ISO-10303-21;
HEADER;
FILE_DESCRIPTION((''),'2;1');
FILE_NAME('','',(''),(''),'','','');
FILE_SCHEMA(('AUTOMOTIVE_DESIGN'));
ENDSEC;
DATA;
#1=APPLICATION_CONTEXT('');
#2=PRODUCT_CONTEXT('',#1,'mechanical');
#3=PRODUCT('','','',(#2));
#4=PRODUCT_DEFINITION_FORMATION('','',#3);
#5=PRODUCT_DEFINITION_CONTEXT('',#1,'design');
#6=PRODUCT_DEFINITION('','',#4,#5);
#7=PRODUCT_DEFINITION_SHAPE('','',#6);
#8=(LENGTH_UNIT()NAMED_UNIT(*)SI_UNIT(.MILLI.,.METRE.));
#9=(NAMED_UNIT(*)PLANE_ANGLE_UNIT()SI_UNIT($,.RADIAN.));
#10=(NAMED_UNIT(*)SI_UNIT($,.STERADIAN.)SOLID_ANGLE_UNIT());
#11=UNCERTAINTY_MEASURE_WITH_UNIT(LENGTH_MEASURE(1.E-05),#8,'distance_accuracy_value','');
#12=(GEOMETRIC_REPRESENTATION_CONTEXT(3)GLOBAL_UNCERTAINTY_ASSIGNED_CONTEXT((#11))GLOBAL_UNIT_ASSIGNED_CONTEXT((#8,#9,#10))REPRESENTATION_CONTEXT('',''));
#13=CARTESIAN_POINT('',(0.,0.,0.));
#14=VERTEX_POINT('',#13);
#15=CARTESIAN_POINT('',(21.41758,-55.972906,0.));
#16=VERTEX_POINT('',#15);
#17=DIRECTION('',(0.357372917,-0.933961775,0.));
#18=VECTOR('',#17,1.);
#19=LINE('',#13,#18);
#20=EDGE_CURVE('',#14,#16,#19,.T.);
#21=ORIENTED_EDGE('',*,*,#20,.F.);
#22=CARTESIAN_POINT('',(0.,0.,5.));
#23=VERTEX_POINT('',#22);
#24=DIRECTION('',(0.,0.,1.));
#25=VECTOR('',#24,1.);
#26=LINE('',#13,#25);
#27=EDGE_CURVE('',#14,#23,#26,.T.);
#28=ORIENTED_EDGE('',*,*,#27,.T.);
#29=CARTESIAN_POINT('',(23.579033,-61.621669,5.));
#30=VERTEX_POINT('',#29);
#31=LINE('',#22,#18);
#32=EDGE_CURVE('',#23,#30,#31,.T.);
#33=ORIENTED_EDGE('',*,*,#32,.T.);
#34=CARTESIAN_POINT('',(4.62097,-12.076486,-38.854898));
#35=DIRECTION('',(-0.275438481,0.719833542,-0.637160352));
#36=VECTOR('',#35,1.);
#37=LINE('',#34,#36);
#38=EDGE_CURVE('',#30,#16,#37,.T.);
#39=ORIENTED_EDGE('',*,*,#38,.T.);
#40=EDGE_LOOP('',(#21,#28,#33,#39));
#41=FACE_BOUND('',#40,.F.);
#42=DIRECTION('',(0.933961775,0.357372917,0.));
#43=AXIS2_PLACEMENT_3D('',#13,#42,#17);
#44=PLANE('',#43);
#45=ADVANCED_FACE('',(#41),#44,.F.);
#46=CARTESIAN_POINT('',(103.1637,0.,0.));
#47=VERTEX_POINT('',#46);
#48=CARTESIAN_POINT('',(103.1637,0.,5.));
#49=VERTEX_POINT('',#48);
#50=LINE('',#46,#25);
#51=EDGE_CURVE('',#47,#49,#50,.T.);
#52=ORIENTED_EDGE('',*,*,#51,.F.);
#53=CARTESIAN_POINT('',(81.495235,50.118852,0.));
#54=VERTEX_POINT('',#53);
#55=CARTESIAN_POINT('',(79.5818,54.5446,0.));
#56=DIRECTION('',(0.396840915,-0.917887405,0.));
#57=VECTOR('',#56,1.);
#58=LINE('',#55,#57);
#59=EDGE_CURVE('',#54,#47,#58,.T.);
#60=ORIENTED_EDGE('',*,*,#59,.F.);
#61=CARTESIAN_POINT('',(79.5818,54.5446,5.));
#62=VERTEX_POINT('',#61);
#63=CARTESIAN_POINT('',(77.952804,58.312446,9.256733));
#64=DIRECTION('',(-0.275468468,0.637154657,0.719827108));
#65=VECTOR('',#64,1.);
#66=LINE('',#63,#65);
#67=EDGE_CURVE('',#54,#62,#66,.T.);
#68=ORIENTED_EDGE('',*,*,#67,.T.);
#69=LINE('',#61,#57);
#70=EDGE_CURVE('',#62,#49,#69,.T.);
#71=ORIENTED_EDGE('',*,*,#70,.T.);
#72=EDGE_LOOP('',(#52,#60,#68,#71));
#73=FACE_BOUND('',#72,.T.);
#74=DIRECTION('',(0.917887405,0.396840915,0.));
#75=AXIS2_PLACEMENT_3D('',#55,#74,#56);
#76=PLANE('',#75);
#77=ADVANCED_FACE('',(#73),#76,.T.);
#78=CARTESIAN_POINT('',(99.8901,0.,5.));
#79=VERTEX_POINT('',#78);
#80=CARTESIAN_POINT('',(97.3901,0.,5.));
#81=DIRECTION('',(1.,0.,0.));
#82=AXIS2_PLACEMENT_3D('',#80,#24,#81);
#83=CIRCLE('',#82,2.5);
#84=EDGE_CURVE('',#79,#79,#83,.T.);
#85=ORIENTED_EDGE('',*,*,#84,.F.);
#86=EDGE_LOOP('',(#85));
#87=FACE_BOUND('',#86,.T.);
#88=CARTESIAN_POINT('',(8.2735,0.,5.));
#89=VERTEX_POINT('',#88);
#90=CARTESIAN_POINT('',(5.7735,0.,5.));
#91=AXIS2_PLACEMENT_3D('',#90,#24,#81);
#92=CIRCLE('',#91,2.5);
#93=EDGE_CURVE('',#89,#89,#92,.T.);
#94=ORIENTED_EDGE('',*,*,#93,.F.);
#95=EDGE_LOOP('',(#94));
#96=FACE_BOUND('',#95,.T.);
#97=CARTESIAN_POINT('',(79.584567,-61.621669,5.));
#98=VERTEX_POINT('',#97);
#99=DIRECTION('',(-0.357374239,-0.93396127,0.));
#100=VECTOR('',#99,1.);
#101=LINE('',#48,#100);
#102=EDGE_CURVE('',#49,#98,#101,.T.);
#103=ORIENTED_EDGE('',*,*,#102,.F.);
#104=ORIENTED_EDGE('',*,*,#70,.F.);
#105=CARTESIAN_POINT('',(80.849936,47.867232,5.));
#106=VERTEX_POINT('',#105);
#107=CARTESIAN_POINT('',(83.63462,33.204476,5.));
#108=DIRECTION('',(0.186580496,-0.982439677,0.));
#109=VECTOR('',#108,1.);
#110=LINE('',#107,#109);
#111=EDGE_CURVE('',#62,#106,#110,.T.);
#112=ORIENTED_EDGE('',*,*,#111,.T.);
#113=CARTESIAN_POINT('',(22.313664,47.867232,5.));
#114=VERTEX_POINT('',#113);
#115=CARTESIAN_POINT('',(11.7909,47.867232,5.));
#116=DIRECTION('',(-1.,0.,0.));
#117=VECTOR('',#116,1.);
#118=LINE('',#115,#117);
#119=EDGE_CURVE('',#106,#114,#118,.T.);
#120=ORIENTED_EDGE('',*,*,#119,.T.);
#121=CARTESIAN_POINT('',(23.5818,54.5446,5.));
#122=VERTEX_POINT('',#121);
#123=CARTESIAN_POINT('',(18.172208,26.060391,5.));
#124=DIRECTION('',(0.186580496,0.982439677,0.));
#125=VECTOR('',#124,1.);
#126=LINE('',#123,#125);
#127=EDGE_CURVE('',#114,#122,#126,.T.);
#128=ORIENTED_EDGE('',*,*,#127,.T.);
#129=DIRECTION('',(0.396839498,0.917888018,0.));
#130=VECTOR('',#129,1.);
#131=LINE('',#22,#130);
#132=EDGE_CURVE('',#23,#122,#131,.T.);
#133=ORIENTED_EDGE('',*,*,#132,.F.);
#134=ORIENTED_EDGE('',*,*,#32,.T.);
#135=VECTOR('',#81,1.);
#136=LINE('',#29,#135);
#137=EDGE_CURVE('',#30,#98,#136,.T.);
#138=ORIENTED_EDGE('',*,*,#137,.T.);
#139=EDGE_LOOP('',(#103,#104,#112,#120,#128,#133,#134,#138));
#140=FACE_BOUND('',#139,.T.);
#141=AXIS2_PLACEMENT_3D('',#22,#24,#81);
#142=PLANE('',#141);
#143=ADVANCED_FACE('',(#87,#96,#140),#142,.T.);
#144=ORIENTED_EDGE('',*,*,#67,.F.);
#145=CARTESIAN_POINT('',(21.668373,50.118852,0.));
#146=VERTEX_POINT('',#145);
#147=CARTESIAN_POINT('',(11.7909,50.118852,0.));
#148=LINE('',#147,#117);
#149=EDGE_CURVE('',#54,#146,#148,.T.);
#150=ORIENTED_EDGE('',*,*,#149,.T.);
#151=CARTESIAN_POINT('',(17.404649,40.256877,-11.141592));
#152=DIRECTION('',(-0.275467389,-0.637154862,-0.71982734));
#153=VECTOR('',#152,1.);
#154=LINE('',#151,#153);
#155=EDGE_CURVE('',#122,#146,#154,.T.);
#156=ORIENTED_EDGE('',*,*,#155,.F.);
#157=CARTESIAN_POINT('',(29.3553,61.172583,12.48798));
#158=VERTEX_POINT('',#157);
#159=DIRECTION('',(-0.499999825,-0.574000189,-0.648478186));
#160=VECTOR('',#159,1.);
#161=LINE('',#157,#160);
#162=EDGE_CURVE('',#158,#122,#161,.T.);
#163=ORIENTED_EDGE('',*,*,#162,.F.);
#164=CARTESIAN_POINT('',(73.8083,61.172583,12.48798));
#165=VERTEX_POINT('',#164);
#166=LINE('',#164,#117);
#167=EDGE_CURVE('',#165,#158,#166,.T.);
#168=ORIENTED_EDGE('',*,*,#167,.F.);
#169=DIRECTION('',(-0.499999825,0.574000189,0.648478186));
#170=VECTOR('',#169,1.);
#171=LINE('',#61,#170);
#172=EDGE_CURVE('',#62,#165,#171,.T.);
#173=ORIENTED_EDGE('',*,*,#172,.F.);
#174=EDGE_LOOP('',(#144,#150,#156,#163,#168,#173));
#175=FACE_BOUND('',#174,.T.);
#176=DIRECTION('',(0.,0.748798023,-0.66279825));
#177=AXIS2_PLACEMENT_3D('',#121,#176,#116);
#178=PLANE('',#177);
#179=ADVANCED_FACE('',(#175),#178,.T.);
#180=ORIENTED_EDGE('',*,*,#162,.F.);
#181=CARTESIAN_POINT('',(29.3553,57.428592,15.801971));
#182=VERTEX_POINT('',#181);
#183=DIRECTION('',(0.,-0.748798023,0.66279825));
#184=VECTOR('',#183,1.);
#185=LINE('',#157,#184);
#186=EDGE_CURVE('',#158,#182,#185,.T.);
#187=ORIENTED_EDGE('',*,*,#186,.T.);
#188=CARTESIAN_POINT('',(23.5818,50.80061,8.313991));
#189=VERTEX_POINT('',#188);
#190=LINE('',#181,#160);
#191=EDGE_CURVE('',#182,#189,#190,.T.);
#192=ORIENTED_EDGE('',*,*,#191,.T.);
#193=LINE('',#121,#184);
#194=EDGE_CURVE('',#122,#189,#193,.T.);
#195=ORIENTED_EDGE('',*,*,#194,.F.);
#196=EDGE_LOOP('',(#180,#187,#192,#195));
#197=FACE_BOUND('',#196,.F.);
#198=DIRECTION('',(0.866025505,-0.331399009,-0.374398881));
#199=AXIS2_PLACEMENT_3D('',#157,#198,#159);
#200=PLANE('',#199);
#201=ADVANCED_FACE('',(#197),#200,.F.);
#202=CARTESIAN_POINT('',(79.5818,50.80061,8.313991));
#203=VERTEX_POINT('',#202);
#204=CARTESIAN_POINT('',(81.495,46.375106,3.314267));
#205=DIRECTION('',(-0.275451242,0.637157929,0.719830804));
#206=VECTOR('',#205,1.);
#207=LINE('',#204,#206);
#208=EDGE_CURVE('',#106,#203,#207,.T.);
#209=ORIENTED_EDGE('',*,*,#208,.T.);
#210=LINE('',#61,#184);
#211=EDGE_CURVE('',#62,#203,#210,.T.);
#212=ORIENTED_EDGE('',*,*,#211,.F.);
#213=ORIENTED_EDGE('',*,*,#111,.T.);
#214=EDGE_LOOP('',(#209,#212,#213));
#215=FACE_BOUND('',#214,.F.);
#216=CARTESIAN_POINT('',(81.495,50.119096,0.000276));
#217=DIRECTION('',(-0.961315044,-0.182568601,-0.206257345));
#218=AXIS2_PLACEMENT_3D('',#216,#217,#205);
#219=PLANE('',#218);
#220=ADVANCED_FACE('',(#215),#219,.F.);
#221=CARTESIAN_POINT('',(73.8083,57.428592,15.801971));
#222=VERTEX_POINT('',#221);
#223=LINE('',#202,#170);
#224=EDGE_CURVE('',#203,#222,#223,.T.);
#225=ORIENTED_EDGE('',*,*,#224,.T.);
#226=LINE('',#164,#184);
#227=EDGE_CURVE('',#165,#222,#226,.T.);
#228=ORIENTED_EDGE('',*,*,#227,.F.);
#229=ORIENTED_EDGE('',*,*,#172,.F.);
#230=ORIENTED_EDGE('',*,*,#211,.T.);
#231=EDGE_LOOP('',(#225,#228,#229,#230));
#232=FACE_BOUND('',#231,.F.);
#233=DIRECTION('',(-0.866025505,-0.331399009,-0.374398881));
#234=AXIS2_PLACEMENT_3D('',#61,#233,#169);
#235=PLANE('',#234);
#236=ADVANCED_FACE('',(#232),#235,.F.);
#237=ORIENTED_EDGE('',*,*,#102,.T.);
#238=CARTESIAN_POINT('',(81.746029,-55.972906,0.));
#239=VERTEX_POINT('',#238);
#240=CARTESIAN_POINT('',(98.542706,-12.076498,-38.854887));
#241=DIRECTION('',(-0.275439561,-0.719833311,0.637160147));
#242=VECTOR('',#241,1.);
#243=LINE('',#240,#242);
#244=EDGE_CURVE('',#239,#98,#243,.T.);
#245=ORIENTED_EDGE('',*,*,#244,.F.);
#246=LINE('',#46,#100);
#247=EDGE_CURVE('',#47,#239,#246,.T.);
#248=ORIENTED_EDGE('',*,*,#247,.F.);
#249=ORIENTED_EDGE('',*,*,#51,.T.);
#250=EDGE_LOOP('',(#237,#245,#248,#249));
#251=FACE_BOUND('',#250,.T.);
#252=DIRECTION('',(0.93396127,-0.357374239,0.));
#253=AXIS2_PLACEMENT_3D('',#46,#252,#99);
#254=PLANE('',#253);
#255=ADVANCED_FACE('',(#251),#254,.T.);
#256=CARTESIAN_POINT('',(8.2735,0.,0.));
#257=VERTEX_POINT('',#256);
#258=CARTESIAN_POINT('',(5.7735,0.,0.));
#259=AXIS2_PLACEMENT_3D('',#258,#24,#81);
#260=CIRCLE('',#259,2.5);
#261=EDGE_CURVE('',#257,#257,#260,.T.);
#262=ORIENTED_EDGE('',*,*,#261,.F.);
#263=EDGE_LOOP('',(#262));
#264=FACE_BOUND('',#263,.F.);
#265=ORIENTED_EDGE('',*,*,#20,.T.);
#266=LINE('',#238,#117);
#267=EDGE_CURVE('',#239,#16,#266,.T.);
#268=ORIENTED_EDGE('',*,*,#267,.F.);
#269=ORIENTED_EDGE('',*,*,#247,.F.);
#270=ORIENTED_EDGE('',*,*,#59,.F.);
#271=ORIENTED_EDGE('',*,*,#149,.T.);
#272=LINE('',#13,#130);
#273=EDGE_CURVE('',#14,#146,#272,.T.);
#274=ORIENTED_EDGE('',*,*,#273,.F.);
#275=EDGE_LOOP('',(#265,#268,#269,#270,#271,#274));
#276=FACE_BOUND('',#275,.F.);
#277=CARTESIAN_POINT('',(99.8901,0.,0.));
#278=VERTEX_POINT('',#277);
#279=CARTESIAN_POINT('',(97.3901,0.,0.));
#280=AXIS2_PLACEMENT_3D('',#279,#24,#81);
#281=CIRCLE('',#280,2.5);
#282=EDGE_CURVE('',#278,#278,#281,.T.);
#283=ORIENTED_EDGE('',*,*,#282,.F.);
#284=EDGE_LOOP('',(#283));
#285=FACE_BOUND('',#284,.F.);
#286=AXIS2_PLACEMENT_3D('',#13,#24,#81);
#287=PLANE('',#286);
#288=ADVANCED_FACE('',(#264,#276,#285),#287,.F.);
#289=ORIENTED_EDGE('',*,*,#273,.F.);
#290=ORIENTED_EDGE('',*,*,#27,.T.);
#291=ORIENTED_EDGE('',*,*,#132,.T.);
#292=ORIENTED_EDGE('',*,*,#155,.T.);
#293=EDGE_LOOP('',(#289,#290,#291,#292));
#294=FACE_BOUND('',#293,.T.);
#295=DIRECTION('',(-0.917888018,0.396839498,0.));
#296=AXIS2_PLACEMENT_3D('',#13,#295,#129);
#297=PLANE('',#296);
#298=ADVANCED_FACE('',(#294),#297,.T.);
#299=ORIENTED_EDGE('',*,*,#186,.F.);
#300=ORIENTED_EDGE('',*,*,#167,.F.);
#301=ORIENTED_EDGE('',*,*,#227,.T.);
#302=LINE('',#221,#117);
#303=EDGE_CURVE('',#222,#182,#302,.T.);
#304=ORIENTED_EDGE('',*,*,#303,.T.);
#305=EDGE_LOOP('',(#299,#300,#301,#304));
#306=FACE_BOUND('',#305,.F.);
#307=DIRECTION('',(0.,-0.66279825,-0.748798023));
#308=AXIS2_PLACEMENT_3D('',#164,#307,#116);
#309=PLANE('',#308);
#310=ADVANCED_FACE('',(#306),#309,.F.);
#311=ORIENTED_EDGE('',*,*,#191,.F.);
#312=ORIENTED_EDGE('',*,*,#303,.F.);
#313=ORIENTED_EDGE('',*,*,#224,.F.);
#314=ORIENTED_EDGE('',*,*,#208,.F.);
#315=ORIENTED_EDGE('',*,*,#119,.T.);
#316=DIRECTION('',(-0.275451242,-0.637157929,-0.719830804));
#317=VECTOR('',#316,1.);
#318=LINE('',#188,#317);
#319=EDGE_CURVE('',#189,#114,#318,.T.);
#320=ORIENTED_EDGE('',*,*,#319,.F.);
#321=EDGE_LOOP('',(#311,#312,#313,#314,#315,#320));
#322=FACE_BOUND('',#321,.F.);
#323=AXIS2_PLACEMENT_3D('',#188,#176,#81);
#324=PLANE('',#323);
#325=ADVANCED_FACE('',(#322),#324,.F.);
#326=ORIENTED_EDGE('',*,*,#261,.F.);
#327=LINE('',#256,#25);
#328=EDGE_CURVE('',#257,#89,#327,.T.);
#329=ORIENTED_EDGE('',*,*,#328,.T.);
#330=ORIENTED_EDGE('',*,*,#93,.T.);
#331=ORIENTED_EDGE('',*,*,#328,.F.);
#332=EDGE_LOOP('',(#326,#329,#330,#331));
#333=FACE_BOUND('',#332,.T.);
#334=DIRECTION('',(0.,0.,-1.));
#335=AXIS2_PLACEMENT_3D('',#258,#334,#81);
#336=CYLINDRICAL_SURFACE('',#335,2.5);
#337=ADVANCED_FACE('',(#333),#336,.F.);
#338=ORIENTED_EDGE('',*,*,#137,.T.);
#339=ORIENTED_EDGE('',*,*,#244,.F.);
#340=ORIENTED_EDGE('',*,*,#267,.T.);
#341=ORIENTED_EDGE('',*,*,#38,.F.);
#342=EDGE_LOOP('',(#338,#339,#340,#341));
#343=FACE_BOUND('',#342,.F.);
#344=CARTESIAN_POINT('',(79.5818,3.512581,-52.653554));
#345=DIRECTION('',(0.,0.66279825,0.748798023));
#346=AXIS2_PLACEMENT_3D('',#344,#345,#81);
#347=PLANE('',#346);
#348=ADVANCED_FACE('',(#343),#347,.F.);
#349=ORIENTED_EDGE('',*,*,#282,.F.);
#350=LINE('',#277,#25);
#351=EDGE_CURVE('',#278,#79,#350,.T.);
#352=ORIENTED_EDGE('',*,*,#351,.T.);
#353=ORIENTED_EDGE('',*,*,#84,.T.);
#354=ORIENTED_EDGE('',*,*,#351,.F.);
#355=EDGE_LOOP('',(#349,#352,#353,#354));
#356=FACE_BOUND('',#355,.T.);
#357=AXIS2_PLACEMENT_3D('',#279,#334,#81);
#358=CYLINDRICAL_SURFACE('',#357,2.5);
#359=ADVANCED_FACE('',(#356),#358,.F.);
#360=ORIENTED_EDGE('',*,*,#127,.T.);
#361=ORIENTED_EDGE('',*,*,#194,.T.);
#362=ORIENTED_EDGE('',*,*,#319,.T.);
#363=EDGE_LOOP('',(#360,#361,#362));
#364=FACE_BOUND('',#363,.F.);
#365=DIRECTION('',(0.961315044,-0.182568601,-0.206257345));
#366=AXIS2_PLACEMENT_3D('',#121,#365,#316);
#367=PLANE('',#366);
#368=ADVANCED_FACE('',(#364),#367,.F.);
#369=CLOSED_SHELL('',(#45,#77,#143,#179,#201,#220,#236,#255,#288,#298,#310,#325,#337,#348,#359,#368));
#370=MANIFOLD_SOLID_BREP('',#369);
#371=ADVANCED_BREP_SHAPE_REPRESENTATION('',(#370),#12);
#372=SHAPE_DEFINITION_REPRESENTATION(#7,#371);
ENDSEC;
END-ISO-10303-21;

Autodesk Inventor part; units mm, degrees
ref_plane "YZ Plane" through (0, 0, 0) normal (1, 0, 0) x (0, 1, 0)
ref_plane "XZ Plane" through (0, 0, 0) normal (0, 1, 0) x (-1, 0, 0)
sketch "Sketch1" plane through (0, 0, 0) normal (0, 0, 1) x (1, 0, 0)
  line L0 (0, 0) -> (23.5818, 54.5446)
  line L1 (0, 0) -> (23.5818, -61.6289)
  line L2 (23.5818, -61.6289) -> (79.5818, -61.6289)
  line L3 (23.5818, 54.5446) -> (79.5818, 54.5446)
  line L4 (79.5818, 54.5446) -> (103.1637, 0)
  line L5 (103.1637, 0) -> (79.5818, -61.6289)
  circle A0 centre (5.7735, 0) radius 2.5
  circle A1 centre (97.3901, 0) radius 2.5
  dimension "d0" = 135.68
  dimension "d1" = 65.9865
  dimension "d2" = 59.424
  dimension "d3" = 56
  dimension "d4" = 65.9865
  dimension "d5" = 59.424
  dimension "d6" = 5
  dimension "d7" = 5
  dimension "d8" = 5.7735
  dimension "d9" = 5.7735
extrude "Extrusion1" add sketch "Sketch1" along normal blind 5
ref_plane "Work Plane2" through (23.5818, 54.5446, 5) normal (0, 0.7488, -0.6628) x (-1, 0, 0)
sketch "Sketch3" plane through (23.5818, 54.5446, 5) normal (0, 0.7488, -0.6628) x (-1, 0, 0)
  ellipse E0 centre (-73.8083, -39.894) end of major axis (-71.3083, -39.894) minor radius 1.6569 projected
  ellipse E1 centre (17.8083, -39.894) end of major axis (20.3083, -39.894) minor radius 1.6569 projected
  line L0 (23.5818, -39.894) -> (0, -3.7442) projected
  line L1 (0, -3.7442) -> (-56, -3.7442) projected
  line L2 (-56, -3.7442) -> (-79.5818, -39.894) projected
  line L3 (-79.5818, -39.894) -> (-56, -80.7389) projected
  line L4 (-56, -80.7389) -> (0, -80.7389) projected
  line L5 (0, -80.7389) -> (23.5818, -39.894) projected
  line L6 (-56, -3.7442) -> (-79.5818, -39.894) projected
  line L7 (-56, -3.7442) -> (-56, 0) projected
  line L8 (-79.5818, -36.1498) -> (-56, 0) projected
  line L9 (-79.5818, -39.894) -> (-79.5818, -36.1498) projected
  line L10 (0, -3.7442) -> (-56, -3.7442) projected
  line L11 (0, -3.7442) -> (0, 0) projected
  line L12 (-56, 0) -> (0, 0) projected
  line L13 (-56, -3.7442) -> (-56, 0) projected
  line L14 (0, 0) -> (23.5818, -36.1498) projected
  line L15 (23.5818, -39.894) -> (0, -3.7442) projected
  line L16 (23.5818, -39.894) -> (23.5818, -36.1498) projected
  line L17 (0, 0) -> (23.5818, -36.1498) projected
  line L18 (0, -3.7442) -> (0, 0) projected
extrude "Extrusion2" cut sketch "Sketch3" along normal through all contours E0 | E1 | L5 L4 L3 L2 L1 L0 | L0 L11 L14 L16 | L1 L7 L12 L11 | L2 L9 L8 L7
sketch "Sketch4" plane through (23.5818, 54.5446, 5) normal (0, 0.7488, -0.6628) x (1, 0, 0)
  line L0 (56, 0) -> (0, 0) projected
  line L1 (56, 0) -> (50.2265, -10)
  line L2 (50.2265, -10) -> (5.7735, -10)
  line L3 (5.7735, -10) -> (0, 0)
  line L4 (57.9132, 6.677) -> (56, 0) projected
  line L5 (79.5818, 36.1498) -> (56, 0) projected
  line L6 (79.5818, 39.894) -> (79.5818, 36.1498) projected
  line L7 (57.9132, 6.677) -> (79.5818, 39.894) projected
  line L8 (0, 0) -> (-1.9132, 6.677) projected
  line L9 (56, 0) -> (0, 0) projected
  line L10 (57.9132, 6.677) -> (56, 0) projected
  line L11 (-1.9132, 6.677) -> (57.9132, 6.677) projected
  line L12 (0, 0) -> (-1.9132, 6.677) projected
  line L13 (-23.5818, 39.894) -> (-1.9132, 6.677) projected
  line L14 (-23.5818, 39.894) -> (-23.5818, 36.1498) projected
  line L15 (0, 0) -> (-23.5818, 36.1498) projected
  dimension "d16" = 60
  dimension "d17" = 60
  dimension "d18" = 10
extrude "Extrusion3" add sketch "Sketch4" against normal blind 5 contours L1 L2 L3 L0 | L0 L8 L11 L4
sketch "Sketch5" plane through (23.5818, 54.5446, 5) normal (0, 0.7488, -0.6628) x (1, 0, 0)
  line L0 (0, 76.9948) -> (56, 76.9948) projected
  line L1 (56, 76.9948) -> (67.4601, 76.9948)
  line L2 (67.4601, 76.9948) -> (67.4601, 91.9948)
  line L3 (67.4601, 91.9948) -> (-7.5399, 91.9948)
  line L4 (0, 76.9948) -> (-7.5399, 76.9948)
  line L5 (-7.5399, 76.9948) -> (-7.5399, 91.9948)
  point P0 (-23.5818, 39.894)
  dimension "d21" = 15
  dimension "d22" = 75
extrude "Extrusion4" cut sketch "Sketch5" against normal through all
equation "\"d4\" = d1"
equation "\"d5\" = d2"
properties part number "TARM08" material "ABS Plastic"
